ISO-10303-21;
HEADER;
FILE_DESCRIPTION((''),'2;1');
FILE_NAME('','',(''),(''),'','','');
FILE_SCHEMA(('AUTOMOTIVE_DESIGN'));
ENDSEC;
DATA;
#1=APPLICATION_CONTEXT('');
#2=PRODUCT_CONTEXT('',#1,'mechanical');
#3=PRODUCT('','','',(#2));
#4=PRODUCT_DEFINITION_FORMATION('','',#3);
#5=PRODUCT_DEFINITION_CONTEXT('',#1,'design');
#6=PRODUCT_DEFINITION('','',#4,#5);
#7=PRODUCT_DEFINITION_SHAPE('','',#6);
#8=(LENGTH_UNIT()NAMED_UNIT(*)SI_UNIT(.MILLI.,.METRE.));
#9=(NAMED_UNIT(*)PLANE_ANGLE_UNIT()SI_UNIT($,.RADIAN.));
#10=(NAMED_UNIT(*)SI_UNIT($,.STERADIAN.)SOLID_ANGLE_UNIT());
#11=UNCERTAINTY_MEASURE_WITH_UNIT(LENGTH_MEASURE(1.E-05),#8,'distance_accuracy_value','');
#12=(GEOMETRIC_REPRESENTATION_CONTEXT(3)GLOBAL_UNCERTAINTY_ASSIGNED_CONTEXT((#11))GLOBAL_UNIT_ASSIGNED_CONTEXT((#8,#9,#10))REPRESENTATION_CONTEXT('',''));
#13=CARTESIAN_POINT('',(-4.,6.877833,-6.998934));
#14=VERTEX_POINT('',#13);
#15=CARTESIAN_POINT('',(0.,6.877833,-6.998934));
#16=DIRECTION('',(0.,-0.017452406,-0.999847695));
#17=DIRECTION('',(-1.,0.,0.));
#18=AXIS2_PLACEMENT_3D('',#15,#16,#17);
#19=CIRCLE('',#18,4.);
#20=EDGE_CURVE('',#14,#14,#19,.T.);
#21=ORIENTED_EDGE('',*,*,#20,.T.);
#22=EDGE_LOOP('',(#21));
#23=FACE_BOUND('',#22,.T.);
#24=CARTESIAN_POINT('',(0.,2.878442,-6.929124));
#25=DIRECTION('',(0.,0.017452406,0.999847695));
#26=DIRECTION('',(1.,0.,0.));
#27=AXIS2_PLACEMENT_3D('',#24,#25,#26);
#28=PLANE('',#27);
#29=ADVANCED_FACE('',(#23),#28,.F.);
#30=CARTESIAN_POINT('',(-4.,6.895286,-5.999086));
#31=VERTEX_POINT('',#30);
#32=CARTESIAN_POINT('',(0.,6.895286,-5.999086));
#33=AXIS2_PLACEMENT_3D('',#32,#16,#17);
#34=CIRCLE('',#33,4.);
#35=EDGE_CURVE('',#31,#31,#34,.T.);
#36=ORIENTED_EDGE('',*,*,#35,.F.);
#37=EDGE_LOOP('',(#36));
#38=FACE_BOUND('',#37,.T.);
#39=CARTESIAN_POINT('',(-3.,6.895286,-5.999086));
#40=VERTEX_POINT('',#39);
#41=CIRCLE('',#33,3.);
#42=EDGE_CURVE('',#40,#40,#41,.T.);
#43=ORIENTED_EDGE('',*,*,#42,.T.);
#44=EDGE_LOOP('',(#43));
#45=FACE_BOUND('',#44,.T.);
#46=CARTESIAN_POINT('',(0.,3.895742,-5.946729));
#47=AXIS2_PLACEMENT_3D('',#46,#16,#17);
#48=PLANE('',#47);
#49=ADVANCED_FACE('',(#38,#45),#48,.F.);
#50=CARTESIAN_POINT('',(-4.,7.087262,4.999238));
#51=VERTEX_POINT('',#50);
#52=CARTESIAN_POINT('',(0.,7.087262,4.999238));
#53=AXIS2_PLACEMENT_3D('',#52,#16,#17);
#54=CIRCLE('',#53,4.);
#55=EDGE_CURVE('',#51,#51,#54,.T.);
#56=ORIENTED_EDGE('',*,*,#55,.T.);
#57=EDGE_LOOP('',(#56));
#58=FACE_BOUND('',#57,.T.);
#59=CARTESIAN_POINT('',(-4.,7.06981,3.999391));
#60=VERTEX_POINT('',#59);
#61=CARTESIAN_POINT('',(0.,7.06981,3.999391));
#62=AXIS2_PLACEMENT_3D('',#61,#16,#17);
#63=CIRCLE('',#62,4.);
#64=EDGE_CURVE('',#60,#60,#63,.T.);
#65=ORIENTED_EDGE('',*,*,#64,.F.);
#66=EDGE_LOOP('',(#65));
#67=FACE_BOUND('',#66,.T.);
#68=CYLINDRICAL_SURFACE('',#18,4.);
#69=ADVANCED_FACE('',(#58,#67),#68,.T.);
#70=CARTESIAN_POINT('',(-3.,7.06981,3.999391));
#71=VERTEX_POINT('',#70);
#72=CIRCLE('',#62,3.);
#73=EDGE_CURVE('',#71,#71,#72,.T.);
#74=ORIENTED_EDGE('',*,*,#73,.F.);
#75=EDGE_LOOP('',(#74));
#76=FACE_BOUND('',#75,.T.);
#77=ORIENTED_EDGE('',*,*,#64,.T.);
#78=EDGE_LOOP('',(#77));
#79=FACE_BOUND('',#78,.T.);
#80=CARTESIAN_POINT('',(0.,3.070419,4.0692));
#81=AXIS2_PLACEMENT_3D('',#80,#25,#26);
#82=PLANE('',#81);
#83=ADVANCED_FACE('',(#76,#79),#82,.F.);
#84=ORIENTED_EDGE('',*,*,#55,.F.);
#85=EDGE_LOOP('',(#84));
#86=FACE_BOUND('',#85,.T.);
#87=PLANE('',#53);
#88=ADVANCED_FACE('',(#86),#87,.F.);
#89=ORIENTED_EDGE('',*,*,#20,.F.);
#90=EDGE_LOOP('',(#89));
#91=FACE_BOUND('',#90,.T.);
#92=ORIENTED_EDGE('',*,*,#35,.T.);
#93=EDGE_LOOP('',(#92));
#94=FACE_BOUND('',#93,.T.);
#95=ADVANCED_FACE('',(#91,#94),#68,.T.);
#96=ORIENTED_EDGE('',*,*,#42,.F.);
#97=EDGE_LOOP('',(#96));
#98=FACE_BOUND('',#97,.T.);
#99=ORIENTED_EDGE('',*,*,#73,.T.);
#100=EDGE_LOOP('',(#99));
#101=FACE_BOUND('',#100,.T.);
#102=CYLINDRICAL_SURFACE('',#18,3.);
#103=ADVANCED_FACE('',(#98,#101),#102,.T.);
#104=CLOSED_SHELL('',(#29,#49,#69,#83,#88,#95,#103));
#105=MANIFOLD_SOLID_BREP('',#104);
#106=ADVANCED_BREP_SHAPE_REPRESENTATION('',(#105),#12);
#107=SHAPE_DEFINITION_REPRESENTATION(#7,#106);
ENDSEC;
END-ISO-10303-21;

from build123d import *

# Parameters (mm, degrees)
BODY_MOVE_COPY1_ANGLE = 119.424338974


with BuildPart() as part:
    # Sketch1 → Revolve1 (revolve)
    with BuildSketch(Plane.XY, mode=Mode.PRIVATE) as revolve1_sk:
        Polygon((0, 0), (0, 12), (-4, 12), (-4, 11), (-3, 11), (-3, 1), (-4, 1), (-4, 0), align=None)
    revolve(revolve1_sk.sketch.rotate(Axis((0, 0, 0), (0, 1, 0)), 270), axis=Axis((0, 0, 0), (0, 1, 0)))


with BuildPart() as part_1:
    # Body-Move/Copy1: moved
    add(part.part.moved(Location((0, 0, 0))).rotate(Axis((-2.346629399, 4.612052575, -2.346629399), (0.5739619558891293, 0.5840679295973761, 0.5739619558888548)), BODY_MOVE_COPY1_ANGLE))


solid = part_1.part
